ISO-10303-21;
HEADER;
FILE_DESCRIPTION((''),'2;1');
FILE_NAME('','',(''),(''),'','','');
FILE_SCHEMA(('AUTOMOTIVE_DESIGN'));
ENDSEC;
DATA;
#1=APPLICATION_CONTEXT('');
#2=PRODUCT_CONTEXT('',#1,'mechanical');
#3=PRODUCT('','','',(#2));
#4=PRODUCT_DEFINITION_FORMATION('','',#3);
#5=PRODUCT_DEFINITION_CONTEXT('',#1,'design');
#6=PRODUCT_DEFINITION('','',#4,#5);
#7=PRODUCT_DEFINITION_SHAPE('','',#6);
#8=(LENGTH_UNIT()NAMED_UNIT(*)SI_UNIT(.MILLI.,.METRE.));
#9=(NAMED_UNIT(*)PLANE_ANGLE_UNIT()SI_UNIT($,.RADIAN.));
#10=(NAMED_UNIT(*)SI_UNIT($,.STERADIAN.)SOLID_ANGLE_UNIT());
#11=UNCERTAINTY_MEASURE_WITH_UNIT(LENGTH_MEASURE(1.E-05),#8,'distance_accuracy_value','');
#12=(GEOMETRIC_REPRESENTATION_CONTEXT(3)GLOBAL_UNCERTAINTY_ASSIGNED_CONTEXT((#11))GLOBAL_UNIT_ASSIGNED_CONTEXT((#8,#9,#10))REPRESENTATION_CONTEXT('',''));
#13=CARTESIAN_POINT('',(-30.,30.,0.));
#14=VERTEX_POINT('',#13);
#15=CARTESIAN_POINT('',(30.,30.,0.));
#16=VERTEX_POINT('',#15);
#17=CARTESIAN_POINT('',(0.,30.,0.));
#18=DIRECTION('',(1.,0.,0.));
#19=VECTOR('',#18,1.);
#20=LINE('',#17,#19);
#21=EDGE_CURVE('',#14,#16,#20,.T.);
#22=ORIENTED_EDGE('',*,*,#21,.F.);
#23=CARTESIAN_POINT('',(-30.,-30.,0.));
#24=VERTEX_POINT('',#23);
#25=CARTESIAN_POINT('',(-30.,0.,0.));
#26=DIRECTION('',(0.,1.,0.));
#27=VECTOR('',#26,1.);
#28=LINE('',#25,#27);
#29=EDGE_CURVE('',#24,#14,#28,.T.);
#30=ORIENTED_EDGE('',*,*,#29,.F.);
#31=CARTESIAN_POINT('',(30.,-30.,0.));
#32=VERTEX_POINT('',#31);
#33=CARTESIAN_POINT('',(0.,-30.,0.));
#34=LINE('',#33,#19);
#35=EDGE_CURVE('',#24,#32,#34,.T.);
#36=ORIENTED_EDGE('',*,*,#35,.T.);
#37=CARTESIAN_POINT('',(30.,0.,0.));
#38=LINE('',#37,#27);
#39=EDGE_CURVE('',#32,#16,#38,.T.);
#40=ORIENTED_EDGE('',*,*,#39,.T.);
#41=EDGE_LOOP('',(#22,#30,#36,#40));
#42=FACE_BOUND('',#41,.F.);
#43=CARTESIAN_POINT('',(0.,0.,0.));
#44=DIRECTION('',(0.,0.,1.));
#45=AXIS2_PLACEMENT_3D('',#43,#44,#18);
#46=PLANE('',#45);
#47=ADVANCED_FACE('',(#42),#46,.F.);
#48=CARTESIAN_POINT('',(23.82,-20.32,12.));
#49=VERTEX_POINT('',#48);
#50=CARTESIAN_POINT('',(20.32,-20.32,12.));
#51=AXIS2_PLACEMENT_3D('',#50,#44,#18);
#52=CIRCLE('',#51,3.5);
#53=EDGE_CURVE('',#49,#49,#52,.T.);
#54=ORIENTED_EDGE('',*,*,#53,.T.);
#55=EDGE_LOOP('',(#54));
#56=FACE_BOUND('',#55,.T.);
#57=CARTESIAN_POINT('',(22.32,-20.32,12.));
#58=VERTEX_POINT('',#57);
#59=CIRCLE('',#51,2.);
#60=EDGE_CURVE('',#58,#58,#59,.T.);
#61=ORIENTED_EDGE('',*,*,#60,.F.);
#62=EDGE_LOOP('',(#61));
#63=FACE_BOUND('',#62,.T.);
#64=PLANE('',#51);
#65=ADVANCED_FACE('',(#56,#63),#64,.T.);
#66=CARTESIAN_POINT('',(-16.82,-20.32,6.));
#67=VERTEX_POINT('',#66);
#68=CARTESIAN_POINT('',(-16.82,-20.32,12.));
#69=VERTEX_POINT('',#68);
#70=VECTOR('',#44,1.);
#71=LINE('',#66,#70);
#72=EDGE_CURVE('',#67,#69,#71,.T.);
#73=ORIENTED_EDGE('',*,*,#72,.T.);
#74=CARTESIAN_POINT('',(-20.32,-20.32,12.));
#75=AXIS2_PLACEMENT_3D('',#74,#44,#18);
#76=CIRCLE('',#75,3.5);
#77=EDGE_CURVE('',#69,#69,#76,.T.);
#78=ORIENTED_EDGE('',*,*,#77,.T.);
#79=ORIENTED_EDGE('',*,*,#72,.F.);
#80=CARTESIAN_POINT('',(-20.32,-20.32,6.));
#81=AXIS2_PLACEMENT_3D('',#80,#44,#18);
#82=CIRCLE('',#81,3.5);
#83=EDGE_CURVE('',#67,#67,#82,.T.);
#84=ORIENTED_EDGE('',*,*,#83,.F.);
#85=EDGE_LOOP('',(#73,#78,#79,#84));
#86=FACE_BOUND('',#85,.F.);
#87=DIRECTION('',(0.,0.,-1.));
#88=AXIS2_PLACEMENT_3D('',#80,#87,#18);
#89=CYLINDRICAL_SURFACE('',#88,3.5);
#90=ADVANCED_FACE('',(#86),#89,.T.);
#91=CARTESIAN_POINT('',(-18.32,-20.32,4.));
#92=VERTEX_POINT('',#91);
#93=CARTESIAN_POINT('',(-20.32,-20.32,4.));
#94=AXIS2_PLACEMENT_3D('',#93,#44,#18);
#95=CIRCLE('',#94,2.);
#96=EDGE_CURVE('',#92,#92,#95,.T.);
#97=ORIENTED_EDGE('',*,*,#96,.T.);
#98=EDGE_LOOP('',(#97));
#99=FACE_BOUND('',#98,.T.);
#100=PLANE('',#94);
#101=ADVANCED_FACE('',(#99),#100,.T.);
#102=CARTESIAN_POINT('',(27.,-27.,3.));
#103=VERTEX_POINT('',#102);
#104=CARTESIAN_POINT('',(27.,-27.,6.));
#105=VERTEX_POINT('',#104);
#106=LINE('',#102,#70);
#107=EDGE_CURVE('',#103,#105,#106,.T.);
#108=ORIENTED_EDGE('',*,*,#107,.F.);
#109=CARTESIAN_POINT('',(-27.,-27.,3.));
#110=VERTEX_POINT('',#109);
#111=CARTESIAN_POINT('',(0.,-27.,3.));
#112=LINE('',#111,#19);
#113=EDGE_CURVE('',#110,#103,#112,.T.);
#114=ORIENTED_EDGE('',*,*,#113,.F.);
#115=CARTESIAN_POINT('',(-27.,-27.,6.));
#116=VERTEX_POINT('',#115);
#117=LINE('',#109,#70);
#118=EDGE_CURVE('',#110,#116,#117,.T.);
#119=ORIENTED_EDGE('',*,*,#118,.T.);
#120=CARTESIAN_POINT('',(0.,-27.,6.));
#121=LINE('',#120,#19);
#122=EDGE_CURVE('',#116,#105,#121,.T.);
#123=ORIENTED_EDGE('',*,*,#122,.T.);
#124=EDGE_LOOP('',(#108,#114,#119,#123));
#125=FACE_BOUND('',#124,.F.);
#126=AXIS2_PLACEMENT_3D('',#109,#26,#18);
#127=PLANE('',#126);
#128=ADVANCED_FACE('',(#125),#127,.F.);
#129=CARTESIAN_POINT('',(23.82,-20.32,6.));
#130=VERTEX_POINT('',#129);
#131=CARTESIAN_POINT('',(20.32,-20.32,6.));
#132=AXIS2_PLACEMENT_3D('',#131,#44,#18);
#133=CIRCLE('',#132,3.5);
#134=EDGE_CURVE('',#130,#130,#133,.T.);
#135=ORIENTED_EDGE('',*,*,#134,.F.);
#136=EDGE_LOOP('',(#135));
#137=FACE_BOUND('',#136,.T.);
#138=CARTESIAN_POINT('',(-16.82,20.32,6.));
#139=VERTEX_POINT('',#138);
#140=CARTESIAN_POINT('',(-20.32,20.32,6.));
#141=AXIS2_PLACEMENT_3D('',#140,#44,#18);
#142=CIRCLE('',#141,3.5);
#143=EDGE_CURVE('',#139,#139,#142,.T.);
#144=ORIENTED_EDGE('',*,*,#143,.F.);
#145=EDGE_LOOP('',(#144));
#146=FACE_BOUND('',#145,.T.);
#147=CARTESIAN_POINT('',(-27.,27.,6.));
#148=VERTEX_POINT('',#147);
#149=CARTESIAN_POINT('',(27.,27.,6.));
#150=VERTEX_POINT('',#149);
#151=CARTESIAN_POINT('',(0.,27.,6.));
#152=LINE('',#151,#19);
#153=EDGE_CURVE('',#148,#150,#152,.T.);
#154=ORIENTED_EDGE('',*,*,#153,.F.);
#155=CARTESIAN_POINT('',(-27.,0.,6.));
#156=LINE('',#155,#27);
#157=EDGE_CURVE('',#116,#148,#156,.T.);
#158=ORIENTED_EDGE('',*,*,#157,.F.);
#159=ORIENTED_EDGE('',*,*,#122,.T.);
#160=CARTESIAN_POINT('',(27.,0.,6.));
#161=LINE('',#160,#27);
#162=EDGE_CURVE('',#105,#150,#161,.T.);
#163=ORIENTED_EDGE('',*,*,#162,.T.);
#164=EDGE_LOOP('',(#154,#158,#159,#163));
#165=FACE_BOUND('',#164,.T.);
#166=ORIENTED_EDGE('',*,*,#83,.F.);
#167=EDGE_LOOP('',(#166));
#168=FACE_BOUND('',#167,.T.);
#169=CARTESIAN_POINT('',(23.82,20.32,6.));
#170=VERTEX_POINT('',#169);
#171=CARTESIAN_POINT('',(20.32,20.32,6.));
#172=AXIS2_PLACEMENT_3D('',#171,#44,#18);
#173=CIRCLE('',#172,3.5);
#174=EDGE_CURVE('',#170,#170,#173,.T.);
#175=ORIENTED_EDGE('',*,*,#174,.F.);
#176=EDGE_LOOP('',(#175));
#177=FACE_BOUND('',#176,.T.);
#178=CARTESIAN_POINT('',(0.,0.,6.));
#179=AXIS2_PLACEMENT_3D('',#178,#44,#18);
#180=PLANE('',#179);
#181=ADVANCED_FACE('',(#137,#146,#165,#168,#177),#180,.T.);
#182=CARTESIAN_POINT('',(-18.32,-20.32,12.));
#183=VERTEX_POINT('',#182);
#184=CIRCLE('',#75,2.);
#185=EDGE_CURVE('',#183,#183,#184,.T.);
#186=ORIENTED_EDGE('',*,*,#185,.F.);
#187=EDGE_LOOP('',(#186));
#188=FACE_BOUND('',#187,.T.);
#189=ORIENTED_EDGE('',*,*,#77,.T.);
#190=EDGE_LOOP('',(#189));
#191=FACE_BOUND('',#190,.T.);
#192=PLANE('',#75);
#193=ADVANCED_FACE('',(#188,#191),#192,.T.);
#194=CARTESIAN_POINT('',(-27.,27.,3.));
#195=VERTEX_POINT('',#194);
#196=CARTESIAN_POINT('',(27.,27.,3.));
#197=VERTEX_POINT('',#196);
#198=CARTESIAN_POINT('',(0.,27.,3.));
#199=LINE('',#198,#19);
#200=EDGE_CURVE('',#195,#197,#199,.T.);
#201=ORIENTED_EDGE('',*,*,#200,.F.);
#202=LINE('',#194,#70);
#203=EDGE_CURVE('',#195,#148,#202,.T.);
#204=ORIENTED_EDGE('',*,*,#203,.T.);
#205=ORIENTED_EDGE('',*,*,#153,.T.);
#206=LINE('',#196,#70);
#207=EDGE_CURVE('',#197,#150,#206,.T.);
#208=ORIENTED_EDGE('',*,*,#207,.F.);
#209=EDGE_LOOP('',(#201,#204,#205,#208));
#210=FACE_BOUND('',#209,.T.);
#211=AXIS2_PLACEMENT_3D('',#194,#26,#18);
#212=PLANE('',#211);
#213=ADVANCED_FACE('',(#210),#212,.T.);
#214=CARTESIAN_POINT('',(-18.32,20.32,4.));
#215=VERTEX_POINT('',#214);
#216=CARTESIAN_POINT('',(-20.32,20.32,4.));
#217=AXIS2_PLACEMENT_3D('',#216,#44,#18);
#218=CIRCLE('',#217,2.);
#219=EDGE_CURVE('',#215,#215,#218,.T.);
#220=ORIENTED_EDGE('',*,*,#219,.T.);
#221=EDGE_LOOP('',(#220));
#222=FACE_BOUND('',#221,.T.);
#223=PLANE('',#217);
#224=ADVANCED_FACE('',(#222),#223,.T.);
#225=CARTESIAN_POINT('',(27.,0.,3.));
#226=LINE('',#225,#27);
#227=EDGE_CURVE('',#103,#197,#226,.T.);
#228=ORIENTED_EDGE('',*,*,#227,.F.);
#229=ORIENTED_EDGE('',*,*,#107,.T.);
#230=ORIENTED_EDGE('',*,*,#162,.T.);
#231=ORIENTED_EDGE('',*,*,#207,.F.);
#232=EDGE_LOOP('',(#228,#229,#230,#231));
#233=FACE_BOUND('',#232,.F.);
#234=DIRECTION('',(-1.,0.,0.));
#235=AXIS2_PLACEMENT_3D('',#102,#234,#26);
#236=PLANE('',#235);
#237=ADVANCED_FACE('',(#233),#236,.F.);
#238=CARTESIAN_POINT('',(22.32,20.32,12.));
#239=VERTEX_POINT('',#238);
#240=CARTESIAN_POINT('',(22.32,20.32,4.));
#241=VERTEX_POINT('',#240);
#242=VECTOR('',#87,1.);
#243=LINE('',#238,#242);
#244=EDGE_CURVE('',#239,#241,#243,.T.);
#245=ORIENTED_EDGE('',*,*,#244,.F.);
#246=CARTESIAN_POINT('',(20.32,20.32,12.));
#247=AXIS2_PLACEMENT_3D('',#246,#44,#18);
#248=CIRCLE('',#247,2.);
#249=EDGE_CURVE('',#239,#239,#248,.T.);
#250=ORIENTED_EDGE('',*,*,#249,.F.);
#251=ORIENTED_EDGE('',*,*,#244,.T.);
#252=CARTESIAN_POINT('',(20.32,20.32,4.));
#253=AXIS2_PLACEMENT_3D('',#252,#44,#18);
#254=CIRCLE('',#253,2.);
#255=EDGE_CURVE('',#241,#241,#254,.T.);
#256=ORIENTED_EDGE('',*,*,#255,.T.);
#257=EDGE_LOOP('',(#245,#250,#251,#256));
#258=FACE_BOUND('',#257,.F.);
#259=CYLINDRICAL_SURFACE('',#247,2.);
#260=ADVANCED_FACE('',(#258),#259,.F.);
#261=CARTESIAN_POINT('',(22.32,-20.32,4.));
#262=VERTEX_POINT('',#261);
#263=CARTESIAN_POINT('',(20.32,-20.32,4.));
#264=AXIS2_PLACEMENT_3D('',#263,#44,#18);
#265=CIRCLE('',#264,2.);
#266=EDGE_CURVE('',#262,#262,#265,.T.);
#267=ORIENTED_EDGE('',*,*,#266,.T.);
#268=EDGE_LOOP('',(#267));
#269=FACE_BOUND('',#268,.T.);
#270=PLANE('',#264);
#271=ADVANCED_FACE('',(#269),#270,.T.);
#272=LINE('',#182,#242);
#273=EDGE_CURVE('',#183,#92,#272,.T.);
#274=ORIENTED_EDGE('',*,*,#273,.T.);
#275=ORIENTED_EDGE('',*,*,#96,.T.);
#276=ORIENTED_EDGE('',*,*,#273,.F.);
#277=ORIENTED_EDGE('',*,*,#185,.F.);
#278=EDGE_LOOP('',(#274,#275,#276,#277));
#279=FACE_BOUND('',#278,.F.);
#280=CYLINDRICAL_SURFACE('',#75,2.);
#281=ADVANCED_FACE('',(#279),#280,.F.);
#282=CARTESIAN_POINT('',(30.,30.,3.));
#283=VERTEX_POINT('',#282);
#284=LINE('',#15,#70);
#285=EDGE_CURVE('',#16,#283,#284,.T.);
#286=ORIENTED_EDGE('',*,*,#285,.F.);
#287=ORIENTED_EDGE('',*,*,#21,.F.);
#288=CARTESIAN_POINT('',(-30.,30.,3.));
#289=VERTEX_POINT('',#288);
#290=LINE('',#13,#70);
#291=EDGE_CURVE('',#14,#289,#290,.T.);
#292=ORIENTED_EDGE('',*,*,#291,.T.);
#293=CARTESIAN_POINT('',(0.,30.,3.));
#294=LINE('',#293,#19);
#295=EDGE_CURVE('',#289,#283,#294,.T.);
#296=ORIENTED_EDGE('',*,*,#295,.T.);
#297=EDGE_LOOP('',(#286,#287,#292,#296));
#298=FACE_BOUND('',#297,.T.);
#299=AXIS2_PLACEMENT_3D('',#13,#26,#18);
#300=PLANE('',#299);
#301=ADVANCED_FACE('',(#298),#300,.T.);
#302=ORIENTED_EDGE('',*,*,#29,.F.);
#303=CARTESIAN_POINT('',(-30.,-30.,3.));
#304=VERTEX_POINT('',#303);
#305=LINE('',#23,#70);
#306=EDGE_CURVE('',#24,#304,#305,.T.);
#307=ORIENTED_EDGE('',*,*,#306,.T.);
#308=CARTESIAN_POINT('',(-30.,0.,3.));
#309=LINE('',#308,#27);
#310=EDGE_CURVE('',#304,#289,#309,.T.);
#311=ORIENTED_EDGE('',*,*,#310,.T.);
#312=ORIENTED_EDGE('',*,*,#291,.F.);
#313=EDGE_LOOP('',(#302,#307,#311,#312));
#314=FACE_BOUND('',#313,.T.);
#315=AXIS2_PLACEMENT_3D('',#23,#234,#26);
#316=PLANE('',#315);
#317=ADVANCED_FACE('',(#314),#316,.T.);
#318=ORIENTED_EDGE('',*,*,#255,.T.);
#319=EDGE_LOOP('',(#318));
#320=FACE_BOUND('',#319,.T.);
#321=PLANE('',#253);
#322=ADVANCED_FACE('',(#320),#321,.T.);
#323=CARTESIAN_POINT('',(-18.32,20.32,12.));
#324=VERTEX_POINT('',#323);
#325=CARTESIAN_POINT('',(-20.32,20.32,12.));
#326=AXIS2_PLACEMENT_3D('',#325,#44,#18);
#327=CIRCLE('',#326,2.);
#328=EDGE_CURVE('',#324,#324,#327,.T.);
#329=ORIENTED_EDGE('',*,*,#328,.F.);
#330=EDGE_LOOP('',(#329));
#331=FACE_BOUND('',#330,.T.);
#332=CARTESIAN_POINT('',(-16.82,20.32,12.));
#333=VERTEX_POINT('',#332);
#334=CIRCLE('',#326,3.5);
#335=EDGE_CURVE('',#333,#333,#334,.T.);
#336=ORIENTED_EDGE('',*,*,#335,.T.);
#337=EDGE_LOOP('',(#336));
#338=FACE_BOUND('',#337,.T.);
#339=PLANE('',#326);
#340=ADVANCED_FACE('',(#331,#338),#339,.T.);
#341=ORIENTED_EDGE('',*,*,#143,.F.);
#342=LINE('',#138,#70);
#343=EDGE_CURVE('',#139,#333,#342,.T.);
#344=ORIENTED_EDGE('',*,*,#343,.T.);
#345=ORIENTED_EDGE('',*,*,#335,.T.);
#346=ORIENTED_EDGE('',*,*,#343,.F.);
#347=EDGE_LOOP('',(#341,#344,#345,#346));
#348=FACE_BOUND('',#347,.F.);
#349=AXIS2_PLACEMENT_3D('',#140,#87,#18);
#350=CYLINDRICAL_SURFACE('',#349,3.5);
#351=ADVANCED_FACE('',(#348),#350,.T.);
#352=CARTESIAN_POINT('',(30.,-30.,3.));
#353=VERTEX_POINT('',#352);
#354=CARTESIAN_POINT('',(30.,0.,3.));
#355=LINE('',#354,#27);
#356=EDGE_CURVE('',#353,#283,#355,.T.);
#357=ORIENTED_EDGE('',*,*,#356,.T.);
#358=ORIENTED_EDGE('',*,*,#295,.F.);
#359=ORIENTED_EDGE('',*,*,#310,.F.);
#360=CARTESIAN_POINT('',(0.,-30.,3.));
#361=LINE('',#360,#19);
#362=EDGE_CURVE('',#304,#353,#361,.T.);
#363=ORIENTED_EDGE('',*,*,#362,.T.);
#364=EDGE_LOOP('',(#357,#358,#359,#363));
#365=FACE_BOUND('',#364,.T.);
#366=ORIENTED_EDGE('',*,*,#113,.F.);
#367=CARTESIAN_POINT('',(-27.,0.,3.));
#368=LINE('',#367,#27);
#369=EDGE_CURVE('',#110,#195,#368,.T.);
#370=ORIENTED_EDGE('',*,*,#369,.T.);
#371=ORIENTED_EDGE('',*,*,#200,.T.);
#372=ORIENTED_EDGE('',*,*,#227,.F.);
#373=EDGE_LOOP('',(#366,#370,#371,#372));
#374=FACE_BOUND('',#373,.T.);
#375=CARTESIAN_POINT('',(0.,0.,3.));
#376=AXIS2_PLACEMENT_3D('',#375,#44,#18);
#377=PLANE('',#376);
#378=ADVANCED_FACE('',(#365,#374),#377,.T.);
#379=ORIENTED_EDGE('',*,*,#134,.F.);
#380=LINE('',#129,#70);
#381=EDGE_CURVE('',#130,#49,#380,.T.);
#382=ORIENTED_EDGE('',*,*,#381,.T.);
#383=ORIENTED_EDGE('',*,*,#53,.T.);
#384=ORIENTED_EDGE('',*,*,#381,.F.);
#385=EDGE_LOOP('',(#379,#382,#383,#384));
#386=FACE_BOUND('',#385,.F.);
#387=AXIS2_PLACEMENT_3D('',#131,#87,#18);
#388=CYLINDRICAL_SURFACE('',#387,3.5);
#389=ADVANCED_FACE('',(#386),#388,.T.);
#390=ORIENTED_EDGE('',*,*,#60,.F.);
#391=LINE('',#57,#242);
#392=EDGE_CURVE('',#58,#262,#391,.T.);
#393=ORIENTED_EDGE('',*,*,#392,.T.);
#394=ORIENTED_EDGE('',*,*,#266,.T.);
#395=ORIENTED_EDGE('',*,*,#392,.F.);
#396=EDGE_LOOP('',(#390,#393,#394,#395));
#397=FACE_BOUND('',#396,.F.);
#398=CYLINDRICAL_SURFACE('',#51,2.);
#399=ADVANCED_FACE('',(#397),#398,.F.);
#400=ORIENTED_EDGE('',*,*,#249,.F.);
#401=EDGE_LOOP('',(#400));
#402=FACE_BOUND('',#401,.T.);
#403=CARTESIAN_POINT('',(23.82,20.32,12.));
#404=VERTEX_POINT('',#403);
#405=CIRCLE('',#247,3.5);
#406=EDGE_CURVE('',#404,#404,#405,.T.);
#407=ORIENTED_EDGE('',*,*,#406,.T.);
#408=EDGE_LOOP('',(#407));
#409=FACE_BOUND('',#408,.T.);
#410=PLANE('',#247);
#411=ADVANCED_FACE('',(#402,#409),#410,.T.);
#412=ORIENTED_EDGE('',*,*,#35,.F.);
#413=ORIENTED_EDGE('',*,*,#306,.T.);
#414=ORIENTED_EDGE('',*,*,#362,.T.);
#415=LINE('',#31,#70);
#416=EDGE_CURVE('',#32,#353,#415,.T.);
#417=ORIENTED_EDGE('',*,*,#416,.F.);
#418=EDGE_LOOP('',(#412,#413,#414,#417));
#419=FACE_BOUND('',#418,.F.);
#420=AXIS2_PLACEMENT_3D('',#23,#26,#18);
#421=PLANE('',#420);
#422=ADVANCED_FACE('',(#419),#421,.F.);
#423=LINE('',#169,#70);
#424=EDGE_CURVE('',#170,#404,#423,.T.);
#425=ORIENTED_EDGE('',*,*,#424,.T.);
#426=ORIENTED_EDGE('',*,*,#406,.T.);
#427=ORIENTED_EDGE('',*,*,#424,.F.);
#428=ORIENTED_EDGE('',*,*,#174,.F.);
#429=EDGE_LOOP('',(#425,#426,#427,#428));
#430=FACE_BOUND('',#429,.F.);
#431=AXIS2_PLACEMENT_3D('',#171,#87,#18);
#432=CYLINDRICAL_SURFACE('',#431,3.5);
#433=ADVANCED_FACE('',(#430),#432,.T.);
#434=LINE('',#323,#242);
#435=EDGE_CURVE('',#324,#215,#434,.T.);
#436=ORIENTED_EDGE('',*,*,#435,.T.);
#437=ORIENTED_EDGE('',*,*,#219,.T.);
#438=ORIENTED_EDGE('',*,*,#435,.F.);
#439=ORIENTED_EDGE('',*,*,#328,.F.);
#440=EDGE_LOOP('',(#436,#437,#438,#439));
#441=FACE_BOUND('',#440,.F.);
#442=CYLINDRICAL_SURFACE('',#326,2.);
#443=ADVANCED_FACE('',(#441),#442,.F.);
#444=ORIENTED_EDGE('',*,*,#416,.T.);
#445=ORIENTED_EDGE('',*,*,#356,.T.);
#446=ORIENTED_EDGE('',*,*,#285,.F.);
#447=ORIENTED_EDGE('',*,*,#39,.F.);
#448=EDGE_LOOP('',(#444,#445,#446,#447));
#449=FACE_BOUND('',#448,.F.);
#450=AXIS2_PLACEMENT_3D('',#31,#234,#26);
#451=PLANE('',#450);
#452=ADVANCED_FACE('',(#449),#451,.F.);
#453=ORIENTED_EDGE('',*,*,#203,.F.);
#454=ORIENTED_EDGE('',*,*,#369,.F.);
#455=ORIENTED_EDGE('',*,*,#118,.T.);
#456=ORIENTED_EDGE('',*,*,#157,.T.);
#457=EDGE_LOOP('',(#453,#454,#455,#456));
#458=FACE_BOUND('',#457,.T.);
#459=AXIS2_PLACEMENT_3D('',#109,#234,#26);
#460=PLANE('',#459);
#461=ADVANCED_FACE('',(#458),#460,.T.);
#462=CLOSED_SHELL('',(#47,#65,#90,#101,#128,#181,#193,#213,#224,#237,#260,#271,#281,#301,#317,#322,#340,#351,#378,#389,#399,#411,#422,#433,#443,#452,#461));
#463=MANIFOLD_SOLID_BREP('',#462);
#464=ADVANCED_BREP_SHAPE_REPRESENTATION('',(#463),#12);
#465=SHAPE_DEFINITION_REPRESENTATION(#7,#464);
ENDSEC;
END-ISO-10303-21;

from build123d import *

# Parameters (mm, degrees)
SKETCH_W     = 60
SKETCH_H     = 60
PAD_DEPTH    = 3
SKETCH001_W  = 54
SKETCH001_H  = 54
PAD001_DEPTH = 3
SKETCH002_R  = 3.5
PAD002_DEPTH = 6
SKETCH003_R  = 2
POCKET_DEPTH = 8


with BuildPart() as part:
    # Sketch → Pad (new body)
    with BuildSketch(Plane.XY):
        Rectangle(SKETCH_W, SKETCH_H)
    extrude(amount=PAD_DEPTH)

    # Sketch001 (on Face6 of Pad) → Pad001 (join)
    with BuildSketch(Plane.XY.offset(3)):
        Rectangle(SKETCH001_W, SKETCH001_H)
    extrude(amount=PAD001_DEPTH)

    # Sketch002 (on Face11 of Pad001) → Pad002 (join)
    with BuildSketch(Plane.XY.offset(6)):
        with Locations((-20.32, 20.32)):
            Circle(SKETCH002_R)
        with Locations((20.32, 20.32)):
            Circle(SKETCH002_R)
        with Locations((20.32, -20.32)):
            Circle(SKETCH002_R)
        with Locations((-20.32, -20.32)):
            Circle(SKETCH002_R)
    extrude(amount=PAD002_DEPTH)

    # Sketch003 (on Face19 of Pad002) → Pocket (cut)
    with BuildSketch(Plane.XY.offset(12)):
        with Locations((-20.32, 20.32)):
            Circle(SKETCH003_R)
        with Locations((20.32, 20.32)):
            Circle(SKETCH003_R)
        with Locations((20.32, -20.32)):
            Circle(SKETCH003_R)
        with Locations((-20.32, -20.32)):
            Circle(SKETCH003_R)
    extrude(amount=-POCKET_DEPTH, mode=Mode.SUBTRACT)


solid = part.part
